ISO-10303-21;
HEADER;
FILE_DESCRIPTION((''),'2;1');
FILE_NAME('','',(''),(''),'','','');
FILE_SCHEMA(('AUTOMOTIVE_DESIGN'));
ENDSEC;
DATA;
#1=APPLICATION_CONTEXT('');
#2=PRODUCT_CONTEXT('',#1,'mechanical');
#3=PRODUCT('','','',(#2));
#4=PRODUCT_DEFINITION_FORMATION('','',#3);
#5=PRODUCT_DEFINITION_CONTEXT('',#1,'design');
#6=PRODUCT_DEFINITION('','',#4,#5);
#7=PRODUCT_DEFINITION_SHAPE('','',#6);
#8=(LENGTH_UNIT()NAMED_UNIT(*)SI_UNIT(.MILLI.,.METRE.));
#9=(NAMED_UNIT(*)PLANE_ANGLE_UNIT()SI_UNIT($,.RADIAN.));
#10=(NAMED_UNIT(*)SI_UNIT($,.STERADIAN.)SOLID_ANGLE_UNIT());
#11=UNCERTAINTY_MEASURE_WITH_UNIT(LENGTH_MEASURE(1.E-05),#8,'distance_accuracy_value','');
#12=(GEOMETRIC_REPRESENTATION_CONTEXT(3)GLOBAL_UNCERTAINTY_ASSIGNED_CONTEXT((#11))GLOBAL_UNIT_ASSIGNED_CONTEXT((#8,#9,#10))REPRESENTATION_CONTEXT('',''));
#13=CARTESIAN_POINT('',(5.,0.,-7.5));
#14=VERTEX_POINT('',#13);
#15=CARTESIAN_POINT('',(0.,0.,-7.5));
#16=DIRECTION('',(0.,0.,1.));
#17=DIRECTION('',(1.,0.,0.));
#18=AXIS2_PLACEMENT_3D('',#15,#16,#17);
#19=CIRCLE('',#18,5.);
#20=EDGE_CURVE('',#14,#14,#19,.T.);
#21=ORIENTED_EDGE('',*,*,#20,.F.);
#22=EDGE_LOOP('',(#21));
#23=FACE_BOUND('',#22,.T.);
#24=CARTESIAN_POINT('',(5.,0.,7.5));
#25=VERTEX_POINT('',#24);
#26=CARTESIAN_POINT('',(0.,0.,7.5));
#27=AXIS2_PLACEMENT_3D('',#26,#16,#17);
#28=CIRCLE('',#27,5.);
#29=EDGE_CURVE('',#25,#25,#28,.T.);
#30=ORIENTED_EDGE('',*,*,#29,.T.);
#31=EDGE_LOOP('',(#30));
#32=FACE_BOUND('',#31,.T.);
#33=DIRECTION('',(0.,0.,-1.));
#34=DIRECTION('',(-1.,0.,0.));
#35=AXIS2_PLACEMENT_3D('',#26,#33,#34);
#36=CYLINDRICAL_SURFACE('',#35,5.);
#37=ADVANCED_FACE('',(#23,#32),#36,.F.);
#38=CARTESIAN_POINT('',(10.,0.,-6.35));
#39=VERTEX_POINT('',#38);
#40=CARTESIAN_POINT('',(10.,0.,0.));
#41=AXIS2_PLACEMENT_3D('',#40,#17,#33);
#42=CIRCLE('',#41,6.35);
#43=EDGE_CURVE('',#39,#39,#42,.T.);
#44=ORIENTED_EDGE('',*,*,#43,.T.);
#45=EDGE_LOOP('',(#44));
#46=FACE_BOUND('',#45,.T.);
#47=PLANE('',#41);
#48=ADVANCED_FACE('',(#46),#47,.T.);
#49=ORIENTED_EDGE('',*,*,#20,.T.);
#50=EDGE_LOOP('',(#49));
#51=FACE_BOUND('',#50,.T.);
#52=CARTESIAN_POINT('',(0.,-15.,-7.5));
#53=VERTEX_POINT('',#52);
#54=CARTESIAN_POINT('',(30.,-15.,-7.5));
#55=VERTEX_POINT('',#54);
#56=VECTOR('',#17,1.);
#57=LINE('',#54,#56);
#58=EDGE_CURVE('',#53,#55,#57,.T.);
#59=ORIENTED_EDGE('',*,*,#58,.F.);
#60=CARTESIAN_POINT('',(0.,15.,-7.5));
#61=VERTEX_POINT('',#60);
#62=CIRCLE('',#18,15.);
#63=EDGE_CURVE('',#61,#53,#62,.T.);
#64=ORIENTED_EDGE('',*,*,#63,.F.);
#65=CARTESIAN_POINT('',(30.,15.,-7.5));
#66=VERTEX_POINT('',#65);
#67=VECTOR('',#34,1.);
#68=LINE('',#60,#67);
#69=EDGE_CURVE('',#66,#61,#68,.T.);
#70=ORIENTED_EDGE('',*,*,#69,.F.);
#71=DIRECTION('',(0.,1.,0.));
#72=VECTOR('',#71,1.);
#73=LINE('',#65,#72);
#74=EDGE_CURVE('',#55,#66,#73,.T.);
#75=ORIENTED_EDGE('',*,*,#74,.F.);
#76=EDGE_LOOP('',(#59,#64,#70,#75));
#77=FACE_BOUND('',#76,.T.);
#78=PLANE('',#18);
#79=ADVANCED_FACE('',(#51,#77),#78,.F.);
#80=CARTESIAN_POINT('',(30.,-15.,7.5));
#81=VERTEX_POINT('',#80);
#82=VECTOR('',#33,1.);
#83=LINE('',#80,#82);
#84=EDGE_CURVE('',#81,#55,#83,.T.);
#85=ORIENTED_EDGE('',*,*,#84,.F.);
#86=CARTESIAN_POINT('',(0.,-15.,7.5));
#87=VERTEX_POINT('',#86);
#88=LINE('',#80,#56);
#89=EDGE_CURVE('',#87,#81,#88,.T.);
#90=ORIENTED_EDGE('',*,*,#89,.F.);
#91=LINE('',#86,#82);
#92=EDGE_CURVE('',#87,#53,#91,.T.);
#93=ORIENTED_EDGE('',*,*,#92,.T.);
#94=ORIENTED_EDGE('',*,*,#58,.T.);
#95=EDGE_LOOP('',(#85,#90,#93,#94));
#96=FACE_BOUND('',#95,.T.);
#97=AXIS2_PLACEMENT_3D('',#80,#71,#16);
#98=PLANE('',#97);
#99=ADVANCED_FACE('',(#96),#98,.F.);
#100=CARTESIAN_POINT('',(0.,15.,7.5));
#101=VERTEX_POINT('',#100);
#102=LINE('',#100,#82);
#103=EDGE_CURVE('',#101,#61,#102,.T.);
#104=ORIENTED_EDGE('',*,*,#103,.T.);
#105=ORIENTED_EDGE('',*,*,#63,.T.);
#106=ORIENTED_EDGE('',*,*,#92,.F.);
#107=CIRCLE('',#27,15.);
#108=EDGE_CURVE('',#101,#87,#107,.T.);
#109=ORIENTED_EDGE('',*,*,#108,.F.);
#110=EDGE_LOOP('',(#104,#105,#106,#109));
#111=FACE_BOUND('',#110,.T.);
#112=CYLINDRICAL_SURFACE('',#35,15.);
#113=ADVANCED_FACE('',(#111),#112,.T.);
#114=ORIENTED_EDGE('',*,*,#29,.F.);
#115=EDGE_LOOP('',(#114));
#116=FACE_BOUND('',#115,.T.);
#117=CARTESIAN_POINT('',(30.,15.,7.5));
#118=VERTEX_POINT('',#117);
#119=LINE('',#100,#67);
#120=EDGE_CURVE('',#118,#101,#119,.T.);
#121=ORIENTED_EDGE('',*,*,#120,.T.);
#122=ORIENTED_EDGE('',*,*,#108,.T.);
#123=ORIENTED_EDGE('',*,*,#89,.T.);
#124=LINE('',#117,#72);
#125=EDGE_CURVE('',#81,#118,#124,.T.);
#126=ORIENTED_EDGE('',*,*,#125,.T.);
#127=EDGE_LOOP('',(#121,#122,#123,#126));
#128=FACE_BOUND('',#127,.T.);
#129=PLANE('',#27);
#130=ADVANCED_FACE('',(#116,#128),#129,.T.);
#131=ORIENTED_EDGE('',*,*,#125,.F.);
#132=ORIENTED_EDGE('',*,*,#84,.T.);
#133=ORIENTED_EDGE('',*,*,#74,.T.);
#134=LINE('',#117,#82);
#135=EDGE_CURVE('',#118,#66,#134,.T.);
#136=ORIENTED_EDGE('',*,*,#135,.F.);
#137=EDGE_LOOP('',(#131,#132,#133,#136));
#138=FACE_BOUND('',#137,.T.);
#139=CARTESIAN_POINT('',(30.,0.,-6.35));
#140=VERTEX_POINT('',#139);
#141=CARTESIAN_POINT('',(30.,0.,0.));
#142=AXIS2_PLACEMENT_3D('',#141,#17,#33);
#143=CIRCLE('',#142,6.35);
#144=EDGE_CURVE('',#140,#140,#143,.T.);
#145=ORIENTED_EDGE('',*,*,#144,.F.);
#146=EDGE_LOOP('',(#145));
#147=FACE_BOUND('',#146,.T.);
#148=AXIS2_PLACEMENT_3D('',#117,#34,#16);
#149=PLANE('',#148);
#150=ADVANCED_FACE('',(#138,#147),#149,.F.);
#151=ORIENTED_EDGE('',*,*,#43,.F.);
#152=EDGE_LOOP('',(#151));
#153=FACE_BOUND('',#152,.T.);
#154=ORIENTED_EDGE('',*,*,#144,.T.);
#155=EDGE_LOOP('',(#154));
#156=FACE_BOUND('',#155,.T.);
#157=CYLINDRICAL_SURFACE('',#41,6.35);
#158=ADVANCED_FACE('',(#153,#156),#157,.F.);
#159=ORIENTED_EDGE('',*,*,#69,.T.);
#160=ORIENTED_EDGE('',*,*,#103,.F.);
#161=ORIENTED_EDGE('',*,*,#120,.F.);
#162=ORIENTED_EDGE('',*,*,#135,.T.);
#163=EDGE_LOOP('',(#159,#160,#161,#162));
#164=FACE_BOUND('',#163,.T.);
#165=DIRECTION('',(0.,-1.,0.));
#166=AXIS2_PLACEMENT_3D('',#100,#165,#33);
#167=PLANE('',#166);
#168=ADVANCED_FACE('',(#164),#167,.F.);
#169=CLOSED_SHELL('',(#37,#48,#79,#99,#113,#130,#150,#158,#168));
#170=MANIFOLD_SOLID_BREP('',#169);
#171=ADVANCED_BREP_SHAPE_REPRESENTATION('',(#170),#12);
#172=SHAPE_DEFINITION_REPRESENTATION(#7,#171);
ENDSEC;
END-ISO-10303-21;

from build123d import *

# Parameters (mm, degrees)
SKETCH1_R           = 5
BOSS_EXTRUDE1_DEPTH = 7.5
SKETCH2_R           = 6.35
CUT_EXTRUDE1_DEPTH  = 20


with BuildPart() as part:
    # Sketch1 → Boss-Extrude1 (new body, symmetric)
    with BuildSketch(Plane.XY):
        with BuildLine():
            Line((0, 15), (30, 15))
            Line((30, 15), (30, -15))
            Line((30, -15), (0, -15))
            ThreePointArc((0, -15), (-15, 0), (0, 15))
        make_face()
        Circle(SKETCH1_R, mode=Mode.SUBTRACT)
    extrude(amount=BOSS_EXTRUDE1_DEPTH, both=True)

    # Sketch2 → Cut-Extrude1 (cut)
    with BuildSketch(Plane(origin=(30, 0, 0), x_dir=(0, 0, -1), z_dir=(1, 0, 0))):
        Circle(SKETCH2_R)
    extrude(amount=-CUT_EXTRUDE1_DEPTH, mode=Mode.SUBTRACT)


solid = part.part
